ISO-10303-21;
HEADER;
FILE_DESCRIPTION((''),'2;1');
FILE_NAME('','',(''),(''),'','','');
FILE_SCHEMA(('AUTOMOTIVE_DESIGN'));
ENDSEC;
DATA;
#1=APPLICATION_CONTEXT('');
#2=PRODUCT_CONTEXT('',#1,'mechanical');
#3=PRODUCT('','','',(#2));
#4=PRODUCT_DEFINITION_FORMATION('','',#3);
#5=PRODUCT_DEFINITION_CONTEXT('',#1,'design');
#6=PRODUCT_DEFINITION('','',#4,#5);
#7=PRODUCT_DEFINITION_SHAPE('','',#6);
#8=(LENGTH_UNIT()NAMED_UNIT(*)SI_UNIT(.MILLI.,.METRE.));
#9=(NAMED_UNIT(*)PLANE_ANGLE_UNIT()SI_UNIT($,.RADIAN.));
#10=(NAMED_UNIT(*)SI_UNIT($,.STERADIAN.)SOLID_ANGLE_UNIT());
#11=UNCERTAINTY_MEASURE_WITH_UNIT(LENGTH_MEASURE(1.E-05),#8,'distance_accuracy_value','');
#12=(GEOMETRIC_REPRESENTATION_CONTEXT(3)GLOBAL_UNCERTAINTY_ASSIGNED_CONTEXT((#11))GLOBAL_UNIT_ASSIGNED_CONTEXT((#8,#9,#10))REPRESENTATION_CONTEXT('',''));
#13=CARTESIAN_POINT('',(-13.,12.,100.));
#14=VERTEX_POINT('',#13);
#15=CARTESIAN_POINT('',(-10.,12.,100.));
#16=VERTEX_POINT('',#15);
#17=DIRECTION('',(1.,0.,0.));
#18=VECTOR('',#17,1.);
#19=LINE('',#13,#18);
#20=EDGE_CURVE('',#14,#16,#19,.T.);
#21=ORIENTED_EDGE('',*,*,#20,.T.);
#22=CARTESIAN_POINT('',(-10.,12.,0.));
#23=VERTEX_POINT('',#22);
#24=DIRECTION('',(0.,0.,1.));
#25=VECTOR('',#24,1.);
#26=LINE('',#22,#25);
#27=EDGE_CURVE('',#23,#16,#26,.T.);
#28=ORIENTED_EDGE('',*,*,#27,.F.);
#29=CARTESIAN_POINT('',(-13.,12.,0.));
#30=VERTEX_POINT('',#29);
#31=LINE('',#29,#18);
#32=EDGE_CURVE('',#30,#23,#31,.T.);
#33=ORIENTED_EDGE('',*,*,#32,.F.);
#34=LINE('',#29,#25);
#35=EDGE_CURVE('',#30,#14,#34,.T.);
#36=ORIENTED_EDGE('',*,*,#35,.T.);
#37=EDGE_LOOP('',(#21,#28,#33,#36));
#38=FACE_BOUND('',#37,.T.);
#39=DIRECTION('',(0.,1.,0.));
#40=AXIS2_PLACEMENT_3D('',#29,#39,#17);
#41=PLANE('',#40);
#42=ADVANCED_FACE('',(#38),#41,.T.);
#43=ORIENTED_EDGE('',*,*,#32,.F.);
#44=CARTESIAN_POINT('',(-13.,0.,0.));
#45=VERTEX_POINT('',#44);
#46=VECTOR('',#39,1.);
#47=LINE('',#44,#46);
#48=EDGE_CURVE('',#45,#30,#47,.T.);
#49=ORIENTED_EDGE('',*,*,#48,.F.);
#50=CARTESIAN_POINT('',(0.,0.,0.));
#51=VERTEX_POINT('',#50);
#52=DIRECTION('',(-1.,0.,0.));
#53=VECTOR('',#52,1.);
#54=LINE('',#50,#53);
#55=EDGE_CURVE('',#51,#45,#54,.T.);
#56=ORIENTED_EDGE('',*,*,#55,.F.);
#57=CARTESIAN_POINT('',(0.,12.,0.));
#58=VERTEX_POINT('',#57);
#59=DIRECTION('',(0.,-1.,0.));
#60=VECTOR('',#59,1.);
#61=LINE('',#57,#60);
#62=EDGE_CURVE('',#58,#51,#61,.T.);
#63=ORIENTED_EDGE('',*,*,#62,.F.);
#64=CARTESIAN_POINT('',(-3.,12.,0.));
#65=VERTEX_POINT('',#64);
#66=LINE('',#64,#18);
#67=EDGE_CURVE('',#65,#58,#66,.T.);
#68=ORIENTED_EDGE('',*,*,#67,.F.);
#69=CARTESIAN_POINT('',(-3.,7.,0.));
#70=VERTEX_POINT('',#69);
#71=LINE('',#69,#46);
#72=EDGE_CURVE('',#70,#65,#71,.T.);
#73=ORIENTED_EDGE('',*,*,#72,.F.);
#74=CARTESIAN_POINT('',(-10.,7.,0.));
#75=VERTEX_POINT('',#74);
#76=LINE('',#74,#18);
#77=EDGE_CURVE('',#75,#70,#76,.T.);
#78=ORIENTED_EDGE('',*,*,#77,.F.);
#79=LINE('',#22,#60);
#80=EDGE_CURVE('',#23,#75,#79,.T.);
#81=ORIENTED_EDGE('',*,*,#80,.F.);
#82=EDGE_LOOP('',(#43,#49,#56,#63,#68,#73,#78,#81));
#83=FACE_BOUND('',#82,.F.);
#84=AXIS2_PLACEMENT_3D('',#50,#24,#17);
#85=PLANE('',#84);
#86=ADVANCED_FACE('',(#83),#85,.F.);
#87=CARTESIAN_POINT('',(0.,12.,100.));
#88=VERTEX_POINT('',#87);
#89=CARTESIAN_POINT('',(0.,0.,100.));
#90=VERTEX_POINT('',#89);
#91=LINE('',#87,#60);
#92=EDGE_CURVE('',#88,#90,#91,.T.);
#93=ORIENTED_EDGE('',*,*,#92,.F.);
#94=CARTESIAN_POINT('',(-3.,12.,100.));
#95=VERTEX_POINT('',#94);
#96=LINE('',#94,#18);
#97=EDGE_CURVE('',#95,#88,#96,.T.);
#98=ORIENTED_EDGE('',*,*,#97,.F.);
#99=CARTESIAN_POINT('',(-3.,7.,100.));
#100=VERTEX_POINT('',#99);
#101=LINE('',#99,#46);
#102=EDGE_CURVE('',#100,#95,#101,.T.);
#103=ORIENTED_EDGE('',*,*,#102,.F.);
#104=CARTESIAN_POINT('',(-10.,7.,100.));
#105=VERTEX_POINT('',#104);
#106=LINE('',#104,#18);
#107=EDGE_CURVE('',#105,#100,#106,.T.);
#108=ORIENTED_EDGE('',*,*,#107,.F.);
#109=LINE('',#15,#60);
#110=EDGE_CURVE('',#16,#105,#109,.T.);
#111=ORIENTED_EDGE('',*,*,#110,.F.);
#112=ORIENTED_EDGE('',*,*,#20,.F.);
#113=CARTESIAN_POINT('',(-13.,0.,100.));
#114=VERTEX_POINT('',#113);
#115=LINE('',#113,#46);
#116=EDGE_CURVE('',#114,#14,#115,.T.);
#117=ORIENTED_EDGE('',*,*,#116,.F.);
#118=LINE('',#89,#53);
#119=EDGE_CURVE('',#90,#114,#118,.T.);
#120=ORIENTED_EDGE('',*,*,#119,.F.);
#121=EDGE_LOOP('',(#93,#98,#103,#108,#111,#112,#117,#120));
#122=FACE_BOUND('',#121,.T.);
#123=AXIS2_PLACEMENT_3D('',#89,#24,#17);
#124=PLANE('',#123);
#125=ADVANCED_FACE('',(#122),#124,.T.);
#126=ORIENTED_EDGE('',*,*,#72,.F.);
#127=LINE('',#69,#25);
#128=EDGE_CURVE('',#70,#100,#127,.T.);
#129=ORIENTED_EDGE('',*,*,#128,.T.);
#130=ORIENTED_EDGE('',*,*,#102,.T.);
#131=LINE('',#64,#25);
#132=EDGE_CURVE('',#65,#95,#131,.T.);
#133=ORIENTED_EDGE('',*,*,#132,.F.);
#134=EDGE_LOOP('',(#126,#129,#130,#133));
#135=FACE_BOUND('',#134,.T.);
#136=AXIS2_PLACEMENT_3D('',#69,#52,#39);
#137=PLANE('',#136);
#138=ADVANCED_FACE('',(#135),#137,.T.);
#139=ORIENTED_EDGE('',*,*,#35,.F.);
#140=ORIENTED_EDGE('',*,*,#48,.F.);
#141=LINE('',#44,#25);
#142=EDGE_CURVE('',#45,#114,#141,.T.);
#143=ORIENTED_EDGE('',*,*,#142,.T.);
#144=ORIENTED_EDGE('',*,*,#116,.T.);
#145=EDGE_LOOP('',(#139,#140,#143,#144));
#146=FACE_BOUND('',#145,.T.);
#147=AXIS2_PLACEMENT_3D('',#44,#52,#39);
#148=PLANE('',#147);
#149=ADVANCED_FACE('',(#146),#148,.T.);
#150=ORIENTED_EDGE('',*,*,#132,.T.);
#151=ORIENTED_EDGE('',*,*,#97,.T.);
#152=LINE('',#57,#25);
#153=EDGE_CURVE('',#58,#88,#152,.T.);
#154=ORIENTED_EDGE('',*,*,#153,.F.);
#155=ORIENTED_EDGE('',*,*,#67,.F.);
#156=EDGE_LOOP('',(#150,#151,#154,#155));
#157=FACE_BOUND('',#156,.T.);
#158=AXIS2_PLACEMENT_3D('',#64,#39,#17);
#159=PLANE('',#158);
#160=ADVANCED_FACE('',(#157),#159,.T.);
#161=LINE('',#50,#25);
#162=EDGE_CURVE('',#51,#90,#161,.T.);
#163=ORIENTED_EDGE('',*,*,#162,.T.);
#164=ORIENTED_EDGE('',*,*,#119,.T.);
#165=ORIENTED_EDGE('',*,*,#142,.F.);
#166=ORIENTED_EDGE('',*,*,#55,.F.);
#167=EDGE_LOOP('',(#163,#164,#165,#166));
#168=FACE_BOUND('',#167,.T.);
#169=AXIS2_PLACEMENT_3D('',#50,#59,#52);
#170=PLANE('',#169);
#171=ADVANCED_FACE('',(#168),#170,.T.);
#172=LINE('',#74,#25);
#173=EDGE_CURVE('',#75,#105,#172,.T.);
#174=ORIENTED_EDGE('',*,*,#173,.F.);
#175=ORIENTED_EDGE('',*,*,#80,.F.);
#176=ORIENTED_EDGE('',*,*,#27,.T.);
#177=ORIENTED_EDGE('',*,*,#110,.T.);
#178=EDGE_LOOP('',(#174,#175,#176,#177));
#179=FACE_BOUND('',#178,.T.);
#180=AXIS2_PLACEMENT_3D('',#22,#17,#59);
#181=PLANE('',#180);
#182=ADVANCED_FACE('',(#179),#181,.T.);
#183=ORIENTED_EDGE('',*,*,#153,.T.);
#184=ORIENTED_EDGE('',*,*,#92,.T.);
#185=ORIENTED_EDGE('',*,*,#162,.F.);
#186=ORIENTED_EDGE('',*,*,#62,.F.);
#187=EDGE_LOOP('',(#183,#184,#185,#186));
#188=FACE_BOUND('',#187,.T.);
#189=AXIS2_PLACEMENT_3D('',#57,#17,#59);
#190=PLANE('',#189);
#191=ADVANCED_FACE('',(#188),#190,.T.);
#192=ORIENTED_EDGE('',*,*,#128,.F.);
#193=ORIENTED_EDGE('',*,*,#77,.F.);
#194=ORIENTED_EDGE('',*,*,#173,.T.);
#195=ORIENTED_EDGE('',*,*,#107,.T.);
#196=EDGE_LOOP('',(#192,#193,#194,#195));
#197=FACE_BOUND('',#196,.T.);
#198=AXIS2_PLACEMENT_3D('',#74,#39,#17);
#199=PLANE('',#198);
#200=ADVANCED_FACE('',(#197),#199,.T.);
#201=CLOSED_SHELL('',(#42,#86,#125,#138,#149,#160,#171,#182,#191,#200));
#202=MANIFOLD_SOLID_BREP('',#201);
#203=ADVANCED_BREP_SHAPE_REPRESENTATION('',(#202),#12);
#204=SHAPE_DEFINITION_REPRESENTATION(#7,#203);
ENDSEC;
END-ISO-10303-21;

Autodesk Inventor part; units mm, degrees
ref_plane "YZ Plane" through (0, 0, 0) normal (1, 0, 0) x (0, 1, 0)
ref_plane "XZ Plane" through (0, 0, 0) normal (0, 1, 0) x (-1, 0, 0)
ref_plane "XY Plane" through (0, 0, 0) normal (0, 0, 1) x (1, 0, 0)
sketch "Sketch1" plane through (0, 0, 0) normal (0, 0, 1) x (1, 0, 0)
  line L0 (0, 0) -> (-13, 0)
  line L1 (-13, 0) -> (-13, 12)
  line L2 (-13, 12) -> (-10, 12)
  line L3 (-10, 12) -> (-10, 7)
  line L4 (-10, 7) -> (-3, 7)
  line L5 (-3, 7) -> (-3, 12)
  line L6 (-3, 12) -> (0, 12)
  line L7 (0, 12) -> (0, 0)
  dimension "d0" = 13
  dimension "d1" = 3
  dimension "d2" = 3
  dimension "d3" = 12
  dimension "d4" = 5
extrude "Extrusion1" add sketch "Sketch1" along normal blind 100
